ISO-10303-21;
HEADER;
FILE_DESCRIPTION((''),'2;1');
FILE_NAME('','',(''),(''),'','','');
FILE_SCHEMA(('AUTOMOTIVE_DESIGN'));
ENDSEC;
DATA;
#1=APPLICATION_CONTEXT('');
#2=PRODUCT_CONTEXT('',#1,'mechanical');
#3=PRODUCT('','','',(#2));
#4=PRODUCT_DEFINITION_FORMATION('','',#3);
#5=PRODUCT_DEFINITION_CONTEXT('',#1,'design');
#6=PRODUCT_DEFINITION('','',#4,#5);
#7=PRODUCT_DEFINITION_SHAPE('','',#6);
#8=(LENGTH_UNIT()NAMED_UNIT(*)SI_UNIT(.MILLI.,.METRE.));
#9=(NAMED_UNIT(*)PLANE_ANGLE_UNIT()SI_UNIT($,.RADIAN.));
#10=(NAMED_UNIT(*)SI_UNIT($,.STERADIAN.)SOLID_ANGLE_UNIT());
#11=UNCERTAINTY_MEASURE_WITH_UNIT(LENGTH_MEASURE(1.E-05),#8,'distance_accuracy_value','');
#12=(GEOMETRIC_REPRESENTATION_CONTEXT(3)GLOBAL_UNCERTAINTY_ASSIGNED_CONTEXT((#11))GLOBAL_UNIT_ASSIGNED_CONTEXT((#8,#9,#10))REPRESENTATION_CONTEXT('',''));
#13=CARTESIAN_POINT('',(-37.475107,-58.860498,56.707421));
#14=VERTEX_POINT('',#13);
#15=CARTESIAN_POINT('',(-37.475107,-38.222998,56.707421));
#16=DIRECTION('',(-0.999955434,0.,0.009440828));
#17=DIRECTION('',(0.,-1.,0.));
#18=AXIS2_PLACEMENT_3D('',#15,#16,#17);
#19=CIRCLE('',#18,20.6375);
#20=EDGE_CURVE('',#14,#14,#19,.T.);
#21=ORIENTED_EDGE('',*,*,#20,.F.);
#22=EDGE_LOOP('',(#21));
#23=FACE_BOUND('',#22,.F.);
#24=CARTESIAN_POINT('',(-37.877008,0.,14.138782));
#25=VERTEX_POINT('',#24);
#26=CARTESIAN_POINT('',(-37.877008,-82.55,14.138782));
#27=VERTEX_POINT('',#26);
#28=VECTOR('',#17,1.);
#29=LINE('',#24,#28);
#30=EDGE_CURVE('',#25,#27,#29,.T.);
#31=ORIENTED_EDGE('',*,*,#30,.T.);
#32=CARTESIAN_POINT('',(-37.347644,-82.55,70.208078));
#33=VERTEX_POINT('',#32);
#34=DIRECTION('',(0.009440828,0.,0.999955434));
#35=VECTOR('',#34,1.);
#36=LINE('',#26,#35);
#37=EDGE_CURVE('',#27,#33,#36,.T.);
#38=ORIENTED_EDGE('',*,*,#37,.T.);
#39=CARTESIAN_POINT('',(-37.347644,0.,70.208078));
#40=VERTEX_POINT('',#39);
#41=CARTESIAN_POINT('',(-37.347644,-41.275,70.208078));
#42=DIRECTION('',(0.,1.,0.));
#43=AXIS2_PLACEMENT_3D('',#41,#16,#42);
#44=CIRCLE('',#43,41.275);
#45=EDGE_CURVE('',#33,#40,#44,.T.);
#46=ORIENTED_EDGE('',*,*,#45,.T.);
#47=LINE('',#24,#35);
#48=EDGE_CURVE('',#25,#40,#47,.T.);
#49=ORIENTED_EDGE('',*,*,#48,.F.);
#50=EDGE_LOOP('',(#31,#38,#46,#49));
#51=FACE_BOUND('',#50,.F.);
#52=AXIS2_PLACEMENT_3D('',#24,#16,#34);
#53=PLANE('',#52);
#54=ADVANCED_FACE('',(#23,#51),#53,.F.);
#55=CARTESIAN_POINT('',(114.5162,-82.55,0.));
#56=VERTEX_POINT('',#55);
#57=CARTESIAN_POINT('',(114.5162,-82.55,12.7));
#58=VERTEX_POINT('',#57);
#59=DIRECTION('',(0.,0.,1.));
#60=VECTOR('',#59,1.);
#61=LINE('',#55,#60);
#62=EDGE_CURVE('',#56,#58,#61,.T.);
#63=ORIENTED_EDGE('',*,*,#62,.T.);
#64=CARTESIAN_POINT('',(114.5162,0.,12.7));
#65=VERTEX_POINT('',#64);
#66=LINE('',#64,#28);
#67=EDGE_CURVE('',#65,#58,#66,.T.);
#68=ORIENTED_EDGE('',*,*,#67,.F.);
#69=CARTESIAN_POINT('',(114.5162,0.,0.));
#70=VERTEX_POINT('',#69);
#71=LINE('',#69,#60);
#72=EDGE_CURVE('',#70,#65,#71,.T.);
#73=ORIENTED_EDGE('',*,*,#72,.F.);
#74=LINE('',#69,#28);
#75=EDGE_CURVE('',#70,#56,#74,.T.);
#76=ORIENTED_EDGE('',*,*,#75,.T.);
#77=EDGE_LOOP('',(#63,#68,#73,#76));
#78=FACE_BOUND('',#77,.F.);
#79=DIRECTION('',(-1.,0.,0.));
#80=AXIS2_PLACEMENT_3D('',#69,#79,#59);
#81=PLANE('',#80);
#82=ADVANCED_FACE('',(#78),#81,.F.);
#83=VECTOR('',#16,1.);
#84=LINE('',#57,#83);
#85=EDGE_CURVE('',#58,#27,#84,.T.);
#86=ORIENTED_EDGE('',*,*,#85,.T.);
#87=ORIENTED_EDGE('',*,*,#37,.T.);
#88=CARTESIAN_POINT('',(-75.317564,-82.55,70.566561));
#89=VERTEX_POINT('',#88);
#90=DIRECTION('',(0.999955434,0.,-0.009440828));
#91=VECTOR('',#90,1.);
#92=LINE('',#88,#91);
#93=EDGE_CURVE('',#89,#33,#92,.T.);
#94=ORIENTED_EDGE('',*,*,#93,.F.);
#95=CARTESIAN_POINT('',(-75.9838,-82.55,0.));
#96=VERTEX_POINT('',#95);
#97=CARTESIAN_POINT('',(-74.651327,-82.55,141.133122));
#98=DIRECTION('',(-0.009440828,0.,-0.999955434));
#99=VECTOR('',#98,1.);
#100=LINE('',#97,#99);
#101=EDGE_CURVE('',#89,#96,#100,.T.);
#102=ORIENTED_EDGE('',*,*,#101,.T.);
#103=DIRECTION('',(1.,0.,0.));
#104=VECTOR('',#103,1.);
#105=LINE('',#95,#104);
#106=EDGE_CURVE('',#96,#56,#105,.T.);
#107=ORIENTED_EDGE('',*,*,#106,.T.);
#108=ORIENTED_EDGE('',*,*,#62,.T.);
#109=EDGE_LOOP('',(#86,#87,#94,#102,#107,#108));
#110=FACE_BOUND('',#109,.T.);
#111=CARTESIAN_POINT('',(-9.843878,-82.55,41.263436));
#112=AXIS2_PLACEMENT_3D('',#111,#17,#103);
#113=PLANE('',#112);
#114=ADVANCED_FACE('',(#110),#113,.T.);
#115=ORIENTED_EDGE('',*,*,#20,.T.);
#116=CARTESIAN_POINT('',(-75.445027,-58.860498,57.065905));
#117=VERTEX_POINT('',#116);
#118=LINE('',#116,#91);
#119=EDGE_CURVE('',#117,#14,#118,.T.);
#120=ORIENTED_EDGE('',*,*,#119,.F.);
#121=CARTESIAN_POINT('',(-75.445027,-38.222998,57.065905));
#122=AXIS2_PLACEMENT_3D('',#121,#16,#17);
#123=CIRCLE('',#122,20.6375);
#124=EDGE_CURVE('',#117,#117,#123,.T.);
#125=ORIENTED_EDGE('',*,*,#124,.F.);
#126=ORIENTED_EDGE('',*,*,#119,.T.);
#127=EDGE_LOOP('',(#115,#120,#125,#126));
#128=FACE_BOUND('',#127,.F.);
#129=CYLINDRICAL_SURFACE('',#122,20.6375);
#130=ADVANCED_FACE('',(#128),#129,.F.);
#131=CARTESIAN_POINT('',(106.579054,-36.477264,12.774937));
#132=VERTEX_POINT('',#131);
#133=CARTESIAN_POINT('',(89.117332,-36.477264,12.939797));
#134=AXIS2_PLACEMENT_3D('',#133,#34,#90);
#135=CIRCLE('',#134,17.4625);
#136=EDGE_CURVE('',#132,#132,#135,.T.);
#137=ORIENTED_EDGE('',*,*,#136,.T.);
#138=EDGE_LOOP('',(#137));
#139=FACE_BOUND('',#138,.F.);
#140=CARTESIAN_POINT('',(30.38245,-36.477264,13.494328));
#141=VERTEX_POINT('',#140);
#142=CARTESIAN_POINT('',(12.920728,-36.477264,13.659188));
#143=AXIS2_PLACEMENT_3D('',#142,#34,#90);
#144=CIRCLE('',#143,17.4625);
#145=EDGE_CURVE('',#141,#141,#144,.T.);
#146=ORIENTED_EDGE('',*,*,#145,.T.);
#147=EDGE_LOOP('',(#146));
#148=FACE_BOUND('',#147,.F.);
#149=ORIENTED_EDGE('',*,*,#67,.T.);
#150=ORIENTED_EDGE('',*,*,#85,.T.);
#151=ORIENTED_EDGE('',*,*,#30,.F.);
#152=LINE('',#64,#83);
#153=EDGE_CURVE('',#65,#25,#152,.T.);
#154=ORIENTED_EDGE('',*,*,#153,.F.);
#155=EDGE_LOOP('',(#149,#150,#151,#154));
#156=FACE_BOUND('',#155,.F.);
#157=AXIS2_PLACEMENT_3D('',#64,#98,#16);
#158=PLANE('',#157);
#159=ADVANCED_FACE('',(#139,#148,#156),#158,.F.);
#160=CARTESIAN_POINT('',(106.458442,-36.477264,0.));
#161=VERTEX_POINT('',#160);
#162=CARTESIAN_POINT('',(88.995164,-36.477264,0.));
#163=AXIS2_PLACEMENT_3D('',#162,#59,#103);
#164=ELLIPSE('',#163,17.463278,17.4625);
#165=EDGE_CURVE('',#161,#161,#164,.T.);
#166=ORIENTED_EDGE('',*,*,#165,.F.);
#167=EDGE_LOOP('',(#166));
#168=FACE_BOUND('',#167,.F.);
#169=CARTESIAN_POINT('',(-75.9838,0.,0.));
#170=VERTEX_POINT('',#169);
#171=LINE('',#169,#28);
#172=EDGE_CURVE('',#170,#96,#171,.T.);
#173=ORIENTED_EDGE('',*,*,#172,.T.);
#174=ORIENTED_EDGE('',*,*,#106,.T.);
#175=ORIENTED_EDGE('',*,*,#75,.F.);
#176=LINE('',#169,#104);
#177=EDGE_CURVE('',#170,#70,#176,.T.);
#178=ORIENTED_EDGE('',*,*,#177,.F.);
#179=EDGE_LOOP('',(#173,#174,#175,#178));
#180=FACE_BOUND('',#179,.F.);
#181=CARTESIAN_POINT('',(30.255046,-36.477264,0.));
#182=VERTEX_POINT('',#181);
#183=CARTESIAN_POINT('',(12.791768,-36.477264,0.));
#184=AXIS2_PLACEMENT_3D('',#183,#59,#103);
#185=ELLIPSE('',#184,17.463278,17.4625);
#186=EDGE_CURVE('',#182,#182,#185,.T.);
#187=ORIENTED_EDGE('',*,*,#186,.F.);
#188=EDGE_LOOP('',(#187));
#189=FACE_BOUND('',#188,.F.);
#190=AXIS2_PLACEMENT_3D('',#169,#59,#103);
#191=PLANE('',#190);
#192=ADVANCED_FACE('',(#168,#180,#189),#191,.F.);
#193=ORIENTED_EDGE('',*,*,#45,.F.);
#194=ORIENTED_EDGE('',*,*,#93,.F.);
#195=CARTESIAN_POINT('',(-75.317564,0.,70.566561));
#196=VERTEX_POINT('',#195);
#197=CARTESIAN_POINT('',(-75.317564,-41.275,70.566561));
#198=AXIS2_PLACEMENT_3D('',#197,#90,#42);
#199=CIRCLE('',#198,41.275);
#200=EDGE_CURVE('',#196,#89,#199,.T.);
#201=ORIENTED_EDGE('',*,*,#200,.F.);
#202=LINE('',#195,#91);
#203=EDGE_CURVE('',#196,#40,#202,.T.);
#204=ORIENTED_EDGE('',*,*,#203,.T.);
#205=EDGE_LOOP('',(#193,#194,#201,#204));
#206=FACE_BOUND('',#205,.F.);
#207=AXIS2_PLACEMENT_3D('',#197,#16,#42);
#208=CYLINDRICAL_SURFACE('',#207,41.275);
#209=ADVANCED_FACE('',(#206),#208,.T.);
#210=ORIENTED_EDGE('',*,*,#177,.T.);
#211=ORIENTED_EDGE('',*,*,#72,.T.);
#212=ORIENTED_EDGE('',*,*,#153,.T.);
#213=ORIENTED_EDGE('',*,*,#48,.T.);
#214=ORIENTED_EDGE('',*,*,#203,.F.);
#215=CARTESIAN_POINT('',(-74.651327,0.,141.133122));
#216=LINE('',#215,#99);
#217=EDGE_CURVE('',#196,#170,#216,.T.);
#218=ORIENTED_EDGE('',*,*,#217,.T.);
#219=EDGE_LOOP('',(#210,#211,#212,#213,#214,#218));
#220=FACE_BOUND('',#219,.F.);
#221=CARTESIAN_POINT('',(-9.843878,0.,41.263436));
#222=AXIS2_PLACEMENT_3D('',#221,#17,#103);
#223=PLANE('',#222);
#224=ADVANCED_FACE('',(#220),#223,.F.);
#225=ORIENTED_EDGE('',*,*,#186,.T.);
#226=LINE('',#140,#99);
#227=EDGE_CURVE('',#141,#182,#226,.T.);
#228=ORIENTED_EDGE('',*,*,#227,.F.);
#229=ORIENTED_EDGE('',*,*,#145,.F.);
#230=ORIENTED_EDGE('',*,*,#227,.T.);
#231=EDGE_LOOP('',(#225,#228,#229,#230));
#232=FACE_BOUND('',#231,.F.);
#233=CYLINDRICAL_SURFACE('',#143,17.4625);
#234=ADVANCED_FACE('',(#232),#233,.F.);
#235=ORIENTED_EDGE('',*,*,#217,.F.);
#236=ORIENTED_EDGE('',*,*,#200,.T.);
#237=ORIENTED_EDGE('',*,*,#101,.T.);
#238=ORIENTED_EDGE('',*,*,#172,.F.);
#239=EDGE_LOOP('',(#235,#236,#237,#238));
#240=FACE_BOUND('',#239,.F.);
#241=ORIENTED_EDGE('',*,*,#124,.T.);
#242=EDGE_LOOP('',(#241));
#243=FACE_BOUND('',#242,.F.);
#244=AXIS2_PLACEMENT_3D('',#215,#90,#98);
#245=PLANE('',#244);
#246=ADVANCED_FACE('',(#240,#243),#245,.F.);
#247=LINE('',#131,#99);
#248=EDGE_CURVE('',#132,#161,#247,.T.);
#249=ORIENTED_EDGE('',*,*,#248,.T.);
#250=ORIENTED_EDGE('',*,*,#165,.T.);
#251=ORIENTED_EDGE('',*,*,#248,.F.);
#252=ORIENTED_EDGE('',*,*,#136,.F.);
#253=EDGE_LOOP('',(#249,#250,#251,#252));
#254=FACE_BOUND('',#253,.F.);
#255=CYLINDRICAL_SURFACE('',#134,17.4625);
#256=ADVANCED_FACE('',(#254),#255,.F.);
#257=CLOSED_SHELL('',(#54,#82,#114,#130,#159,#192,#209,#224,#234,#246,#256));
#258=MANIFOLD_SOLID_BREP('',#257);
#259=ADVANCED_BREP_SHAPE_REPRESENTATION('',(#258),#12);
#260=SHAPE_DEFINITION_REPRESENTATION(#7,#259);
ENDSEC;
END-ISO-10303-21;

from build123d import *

# Parameters (mm, degrees)
F1_DEPTH = 82.55
F2_R     = 17.4625
F3_DEPTH = 25.4
F5_DEPTH = 25.4
F6_DEPTH = 37.9726117289
F7_R     = 20.6375
F8_DEPTH = 37.9716117289


with BuildPart() as f1:
    # F0 (on Front) → F1 (new body)
    with BuildSketch(Plane.XZ):
        Polygon((-74.6513270113, 141.1331224257), (-75.983799994, 0), (114.516200006, 0), (114.516200006, 12.7), (-37.8770081944, 14.1387822587), (-36.6780229788, 141.1331224257), align=None)
    extrude(amount=F1_DEPTH)

    # F2 (on face) → F3 (cut)
    with BuildSketch(Plane(origin=(0.1300999203, 0, 13.7799476787), x_dir=(0.9999554344, 0, -0.0094408285), z_dir=(0.0094408285, 0, 0.9999554344))):
        with Locations((12.7911979997, -36.4772640169)):
            Circle(F2_R)
        with Locations((88.9911979997, -36.4772640169)):
            Circle(F2_R)
    extrude(amount=-F3_DEPTH, mode=Mode.SUBTRACT)

    # F5 (cut): a face of the model
    f5_faces = [f1.faces().sort_by_distance(p)[0] for p in [
        (-55.6646749951, -41.275, 141.1331224257),
    ]]
    extrude(f5_faces, amount=-F5_DEPTH, mode=Mode.SUBTRACT)

    # F4 (on face) → F6 (cut, through all)
    with BuildSketch(Plane(origin=(-75.9770276155, 0, 0.7173180531), x_dir=(0, -1, 0), z_dir=(-0.9999554344, 0, 0.0094408285))):
        with BuildLine():
            ThreePointArc((0, 69.852356173), (41.275, 111.127356173), (82.55, 69.852356173))
            Line((82.55, 69.852356173), (82.55, 140.4220623681))
            Line((82.55, 140.4220623681), (0, 140.4220623681))
            Line((0, 140.4220623681), (0, 69.852356173))
        make_face()
    extrude(amount=-F6_DEPTH, mode=Mode.SUBTRACT)

    # F7 (on face) → F8 (cut, through all)
    with BuildSketch(Plane(origin=(-75.9770276155, 0, 0.7173180531), x_dir=(0, -1, 0), z_dir=(-0.9999554344, 0, 0.0094408285))):
        with Locations((38.2229980028, 56.3510982116)):
            Circle(F7_R)
    extrude(amount=-F8_DEPTH, mode=Mode.SUBTRACT)


solid = f1.part
